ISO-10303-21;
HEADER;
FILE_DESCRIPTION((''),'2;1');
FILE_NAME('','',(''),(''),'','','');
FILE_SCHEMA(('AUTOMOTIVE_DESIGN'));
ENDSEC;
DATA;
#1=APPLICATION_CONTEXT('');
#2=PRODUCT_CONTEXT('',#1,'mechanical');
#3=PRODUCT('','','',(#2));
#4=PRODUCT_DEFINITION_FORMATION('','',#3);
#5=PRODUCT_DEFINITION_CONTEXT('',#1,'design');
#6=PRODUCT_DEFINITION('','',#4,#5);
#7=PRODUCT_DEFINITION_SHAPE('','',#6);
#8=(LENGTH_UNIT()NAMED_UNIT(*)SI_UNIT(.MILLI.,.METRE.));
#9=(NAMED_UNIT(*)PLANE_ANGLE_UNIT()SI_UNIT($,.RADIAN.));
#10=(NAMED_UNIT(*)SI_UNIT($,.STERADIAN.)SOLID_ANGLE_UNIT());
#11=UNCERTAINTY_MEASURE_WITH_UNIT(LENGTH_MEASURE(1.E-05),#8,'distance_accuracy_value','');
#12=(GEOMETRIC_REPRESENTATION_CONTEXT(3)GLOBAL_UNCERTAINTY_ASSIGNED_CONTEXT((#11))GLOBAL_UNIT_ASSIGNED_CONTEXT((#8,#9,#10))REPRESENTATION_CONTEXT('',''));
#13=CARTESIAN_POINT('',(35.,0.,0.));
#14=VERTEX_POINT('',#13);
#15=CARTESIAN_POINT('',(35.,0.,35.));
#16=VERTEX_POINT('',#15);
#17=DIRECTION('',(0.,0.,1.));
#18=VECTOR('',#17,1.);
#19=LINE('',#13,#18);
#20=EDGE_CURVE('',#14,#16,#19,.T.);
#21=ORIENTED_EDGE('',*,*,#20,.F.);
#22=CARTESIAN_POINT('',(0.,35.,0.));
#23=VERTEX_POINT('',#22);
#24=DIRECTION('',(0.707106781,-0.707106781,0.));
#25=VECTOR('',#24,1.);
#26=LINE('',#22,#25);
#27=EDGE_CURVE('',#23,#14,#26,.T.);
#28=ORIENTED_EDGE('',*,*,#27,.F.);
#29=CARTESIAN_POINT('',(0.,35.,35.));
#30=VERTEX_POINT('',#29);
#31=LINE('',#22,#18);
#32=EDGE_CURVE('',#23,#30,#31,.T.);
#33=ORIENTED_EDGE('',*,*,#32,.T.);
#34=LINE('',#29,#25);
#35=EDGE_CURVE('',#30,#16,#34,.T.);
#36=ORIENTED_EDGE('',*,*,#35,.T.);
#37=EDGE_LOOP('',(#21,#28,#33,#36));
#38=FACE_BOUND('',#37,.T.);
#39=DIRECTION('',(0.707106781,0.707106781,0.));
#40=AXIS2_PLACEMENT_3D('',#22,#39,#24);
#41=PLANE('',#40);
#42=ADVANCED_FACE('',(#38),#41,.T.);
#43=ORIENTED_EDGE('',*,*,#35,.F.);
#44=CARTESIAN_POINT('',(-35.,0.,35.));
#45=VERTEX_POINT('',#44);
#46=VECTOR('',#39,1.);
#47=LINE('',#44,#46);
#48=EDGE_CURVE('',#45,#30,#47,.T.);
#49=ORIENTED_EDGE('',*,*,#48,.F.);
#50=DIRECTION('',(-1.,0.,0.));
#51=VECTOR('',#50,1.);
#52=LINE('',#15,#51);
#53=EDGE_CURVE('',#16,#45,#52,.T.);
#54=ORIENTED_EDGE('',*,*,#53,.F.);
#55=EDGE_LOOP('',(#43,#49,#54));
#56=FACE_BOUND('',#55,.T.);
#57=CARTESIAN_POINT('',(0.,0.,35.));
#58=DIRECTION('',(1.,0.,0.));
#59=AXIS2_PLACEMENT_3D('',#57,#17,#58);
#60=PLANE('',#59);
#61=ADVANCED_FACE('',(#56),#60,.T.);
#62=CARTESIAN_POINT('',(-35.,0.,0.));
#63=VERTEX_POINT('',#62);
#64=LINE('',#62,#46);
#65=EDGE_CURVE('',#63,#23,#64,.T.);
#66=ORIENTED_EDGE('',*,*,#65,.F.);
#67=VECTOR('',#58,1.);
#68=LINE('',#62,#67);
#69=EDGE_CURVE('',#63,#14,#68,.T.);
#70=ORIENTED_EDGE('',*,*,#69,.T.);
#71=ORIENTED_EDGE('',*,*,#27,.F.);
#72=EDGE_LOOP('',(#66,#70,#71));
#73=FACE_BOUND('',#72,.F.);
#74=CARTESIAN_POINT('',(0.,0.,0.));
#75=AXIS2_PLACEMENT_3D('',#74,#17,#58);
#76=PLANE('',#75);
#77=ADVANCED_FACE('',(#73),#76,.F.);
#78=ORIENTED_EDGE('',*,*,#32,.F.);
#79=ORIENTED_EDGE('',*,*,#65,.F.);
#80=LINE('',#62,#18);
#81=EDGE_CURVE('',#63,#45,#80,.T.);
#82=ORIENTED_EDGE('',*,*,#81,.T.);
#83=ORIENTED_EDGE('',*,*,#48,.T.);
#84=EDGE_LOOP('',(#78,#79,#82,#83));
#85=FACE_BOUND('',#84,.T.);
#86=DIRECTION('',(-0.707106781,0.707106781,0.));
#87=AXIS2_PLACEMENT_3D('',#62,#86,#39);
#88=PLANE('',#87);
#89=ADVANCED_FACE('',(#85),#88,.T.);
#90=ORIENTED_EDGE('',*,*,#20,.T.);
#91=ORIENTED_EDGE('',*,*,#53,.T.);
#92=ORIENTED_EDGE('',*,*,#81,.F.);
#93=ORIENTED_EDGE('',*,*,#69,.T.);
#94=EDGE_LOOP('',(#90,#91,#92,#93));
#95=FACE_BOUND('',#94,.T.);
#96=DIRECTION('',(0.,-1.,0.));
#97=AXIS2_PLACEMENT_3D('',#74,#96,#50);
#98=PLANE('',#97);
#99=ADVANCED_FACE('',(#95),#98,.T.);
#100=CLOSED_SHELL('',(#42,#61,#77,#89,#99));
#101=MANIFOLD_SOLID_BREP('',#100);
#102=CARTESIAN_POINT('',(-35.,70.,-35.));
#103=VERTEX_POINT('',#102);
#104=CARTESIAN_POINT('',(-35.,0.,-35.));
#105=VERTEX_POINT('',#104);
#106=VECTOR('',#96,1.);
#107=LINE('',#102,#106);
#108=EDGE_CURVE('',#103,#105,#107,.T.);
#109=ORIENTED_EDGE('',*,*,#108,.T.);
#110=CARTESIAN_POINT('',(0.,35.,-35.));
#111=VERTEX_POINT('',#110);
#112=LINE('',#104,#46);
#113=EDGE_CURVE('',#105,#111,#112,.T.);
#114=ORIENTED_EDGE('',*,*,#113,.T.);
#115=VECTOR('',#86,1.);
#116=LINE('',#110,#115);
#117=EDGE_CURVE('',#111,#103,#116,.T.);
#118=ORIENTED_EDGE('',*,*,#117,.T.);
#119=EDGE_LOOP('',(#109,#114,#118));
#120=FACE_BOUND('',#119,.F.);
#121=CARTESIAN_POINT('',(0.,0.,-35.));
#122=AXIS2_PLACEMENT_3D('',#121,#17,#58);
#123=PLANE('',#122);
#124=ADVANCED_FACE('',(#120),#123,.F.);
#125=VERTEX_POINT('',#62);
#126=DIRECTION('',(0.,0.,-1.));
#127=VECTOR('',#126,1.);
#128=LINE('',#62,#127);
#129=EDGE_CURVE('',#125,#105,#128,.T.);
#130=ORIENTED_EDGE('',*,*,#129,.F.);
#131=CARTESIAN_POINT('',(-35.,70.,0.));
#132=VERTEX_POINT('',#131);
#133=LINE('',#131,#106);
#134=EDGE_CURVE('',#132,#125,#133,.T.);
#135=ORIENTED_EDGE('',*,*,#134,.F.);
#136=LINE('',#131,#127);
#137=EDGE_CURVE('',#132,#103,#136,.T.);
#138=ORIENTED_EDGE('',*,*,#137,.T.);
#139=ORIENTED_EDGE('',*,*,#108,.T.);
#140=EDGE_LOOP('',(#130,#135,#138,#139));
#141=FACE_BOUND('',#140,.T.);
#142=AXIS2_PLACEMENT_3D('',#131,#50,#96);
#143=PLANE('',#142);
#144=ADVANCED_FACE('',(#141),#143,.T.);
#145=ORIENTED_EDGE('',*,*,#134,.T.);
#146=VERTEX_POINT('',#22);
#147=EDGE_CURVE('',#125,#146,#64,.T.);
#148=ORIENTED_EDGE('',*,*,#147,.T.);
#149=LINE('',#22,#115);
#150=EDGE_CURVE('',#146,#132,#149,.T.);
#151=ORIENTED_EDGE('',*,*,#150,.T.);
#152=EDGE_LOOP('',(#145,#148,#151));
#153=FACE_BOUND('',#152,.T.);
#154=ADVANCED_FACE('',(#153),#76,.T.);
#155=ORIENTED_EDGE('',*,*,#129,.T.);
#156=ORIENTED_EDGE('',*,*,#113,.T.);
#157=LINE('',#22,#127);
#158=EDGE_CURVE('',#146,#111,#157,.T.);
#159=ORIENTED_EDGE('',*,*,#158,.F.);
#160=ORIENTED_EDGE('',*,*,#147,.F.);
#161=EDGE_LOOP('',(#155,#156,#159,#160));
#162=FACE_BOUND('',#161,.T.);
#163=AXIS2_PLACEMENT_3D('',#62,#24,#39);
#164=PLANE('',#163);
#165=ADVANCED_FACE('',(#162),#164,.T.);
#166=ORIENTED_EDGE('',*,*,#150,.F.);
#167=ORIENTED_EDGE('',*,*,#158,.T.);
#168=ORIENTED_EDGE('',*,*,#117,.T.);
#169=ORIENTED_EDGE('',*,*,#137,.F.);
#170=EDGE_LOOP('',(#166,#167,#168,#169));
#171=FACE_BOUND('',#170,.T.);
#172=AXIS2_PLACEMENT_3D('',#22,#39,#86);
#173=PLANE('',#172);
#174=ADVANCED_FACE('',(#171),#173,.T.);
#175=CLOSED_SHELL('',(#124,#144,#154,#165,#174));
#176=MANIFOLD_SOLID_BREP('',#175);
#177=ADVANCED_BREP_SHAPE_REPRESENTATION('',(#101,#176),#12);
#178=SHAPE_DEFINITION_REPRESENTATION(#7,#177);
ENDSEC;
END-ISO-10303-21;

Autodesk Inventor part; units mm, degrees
ref_plane "YZ Plane" through (0, 0, 0) normal (1, 0, 0) x (0, 1, 0)
ref_plane "XZ Plane" through (0, 0, 0) normal (0, 1, 0) x (-1, 0, 0)
ref_plane "XY Plane" through (0, 0, 0) normal (0, 0, 1) x (1, 0, 0)
sketch "Sketch1" plane through (0, 0, 0) normal (0, 0, 1) x (1, 0, 0)
  line L0 (-35, 0) -> (0, 35)
  line L1 (0, 35) -> (35, 0)
  line L2 (35, 0) -> (0, 0)
  line L3 (0, 0) -> (0, 35) construction
  line L4 (0, 0) -> (-35, 0)
  line L5 (0, 35) -> (-35, 70)
  line L6 (-35, 70) -> (-35, 0)
  dimension "d0" = 35
extrude "Extrusion1" add sketch "Sketch1" along normal blind 35 contours L0 L1 L2 L4
extrude "Extrusion2" add sketch "Sketch1" against normal blind 35 contours L6 L5 L0
properties part number "B8"
